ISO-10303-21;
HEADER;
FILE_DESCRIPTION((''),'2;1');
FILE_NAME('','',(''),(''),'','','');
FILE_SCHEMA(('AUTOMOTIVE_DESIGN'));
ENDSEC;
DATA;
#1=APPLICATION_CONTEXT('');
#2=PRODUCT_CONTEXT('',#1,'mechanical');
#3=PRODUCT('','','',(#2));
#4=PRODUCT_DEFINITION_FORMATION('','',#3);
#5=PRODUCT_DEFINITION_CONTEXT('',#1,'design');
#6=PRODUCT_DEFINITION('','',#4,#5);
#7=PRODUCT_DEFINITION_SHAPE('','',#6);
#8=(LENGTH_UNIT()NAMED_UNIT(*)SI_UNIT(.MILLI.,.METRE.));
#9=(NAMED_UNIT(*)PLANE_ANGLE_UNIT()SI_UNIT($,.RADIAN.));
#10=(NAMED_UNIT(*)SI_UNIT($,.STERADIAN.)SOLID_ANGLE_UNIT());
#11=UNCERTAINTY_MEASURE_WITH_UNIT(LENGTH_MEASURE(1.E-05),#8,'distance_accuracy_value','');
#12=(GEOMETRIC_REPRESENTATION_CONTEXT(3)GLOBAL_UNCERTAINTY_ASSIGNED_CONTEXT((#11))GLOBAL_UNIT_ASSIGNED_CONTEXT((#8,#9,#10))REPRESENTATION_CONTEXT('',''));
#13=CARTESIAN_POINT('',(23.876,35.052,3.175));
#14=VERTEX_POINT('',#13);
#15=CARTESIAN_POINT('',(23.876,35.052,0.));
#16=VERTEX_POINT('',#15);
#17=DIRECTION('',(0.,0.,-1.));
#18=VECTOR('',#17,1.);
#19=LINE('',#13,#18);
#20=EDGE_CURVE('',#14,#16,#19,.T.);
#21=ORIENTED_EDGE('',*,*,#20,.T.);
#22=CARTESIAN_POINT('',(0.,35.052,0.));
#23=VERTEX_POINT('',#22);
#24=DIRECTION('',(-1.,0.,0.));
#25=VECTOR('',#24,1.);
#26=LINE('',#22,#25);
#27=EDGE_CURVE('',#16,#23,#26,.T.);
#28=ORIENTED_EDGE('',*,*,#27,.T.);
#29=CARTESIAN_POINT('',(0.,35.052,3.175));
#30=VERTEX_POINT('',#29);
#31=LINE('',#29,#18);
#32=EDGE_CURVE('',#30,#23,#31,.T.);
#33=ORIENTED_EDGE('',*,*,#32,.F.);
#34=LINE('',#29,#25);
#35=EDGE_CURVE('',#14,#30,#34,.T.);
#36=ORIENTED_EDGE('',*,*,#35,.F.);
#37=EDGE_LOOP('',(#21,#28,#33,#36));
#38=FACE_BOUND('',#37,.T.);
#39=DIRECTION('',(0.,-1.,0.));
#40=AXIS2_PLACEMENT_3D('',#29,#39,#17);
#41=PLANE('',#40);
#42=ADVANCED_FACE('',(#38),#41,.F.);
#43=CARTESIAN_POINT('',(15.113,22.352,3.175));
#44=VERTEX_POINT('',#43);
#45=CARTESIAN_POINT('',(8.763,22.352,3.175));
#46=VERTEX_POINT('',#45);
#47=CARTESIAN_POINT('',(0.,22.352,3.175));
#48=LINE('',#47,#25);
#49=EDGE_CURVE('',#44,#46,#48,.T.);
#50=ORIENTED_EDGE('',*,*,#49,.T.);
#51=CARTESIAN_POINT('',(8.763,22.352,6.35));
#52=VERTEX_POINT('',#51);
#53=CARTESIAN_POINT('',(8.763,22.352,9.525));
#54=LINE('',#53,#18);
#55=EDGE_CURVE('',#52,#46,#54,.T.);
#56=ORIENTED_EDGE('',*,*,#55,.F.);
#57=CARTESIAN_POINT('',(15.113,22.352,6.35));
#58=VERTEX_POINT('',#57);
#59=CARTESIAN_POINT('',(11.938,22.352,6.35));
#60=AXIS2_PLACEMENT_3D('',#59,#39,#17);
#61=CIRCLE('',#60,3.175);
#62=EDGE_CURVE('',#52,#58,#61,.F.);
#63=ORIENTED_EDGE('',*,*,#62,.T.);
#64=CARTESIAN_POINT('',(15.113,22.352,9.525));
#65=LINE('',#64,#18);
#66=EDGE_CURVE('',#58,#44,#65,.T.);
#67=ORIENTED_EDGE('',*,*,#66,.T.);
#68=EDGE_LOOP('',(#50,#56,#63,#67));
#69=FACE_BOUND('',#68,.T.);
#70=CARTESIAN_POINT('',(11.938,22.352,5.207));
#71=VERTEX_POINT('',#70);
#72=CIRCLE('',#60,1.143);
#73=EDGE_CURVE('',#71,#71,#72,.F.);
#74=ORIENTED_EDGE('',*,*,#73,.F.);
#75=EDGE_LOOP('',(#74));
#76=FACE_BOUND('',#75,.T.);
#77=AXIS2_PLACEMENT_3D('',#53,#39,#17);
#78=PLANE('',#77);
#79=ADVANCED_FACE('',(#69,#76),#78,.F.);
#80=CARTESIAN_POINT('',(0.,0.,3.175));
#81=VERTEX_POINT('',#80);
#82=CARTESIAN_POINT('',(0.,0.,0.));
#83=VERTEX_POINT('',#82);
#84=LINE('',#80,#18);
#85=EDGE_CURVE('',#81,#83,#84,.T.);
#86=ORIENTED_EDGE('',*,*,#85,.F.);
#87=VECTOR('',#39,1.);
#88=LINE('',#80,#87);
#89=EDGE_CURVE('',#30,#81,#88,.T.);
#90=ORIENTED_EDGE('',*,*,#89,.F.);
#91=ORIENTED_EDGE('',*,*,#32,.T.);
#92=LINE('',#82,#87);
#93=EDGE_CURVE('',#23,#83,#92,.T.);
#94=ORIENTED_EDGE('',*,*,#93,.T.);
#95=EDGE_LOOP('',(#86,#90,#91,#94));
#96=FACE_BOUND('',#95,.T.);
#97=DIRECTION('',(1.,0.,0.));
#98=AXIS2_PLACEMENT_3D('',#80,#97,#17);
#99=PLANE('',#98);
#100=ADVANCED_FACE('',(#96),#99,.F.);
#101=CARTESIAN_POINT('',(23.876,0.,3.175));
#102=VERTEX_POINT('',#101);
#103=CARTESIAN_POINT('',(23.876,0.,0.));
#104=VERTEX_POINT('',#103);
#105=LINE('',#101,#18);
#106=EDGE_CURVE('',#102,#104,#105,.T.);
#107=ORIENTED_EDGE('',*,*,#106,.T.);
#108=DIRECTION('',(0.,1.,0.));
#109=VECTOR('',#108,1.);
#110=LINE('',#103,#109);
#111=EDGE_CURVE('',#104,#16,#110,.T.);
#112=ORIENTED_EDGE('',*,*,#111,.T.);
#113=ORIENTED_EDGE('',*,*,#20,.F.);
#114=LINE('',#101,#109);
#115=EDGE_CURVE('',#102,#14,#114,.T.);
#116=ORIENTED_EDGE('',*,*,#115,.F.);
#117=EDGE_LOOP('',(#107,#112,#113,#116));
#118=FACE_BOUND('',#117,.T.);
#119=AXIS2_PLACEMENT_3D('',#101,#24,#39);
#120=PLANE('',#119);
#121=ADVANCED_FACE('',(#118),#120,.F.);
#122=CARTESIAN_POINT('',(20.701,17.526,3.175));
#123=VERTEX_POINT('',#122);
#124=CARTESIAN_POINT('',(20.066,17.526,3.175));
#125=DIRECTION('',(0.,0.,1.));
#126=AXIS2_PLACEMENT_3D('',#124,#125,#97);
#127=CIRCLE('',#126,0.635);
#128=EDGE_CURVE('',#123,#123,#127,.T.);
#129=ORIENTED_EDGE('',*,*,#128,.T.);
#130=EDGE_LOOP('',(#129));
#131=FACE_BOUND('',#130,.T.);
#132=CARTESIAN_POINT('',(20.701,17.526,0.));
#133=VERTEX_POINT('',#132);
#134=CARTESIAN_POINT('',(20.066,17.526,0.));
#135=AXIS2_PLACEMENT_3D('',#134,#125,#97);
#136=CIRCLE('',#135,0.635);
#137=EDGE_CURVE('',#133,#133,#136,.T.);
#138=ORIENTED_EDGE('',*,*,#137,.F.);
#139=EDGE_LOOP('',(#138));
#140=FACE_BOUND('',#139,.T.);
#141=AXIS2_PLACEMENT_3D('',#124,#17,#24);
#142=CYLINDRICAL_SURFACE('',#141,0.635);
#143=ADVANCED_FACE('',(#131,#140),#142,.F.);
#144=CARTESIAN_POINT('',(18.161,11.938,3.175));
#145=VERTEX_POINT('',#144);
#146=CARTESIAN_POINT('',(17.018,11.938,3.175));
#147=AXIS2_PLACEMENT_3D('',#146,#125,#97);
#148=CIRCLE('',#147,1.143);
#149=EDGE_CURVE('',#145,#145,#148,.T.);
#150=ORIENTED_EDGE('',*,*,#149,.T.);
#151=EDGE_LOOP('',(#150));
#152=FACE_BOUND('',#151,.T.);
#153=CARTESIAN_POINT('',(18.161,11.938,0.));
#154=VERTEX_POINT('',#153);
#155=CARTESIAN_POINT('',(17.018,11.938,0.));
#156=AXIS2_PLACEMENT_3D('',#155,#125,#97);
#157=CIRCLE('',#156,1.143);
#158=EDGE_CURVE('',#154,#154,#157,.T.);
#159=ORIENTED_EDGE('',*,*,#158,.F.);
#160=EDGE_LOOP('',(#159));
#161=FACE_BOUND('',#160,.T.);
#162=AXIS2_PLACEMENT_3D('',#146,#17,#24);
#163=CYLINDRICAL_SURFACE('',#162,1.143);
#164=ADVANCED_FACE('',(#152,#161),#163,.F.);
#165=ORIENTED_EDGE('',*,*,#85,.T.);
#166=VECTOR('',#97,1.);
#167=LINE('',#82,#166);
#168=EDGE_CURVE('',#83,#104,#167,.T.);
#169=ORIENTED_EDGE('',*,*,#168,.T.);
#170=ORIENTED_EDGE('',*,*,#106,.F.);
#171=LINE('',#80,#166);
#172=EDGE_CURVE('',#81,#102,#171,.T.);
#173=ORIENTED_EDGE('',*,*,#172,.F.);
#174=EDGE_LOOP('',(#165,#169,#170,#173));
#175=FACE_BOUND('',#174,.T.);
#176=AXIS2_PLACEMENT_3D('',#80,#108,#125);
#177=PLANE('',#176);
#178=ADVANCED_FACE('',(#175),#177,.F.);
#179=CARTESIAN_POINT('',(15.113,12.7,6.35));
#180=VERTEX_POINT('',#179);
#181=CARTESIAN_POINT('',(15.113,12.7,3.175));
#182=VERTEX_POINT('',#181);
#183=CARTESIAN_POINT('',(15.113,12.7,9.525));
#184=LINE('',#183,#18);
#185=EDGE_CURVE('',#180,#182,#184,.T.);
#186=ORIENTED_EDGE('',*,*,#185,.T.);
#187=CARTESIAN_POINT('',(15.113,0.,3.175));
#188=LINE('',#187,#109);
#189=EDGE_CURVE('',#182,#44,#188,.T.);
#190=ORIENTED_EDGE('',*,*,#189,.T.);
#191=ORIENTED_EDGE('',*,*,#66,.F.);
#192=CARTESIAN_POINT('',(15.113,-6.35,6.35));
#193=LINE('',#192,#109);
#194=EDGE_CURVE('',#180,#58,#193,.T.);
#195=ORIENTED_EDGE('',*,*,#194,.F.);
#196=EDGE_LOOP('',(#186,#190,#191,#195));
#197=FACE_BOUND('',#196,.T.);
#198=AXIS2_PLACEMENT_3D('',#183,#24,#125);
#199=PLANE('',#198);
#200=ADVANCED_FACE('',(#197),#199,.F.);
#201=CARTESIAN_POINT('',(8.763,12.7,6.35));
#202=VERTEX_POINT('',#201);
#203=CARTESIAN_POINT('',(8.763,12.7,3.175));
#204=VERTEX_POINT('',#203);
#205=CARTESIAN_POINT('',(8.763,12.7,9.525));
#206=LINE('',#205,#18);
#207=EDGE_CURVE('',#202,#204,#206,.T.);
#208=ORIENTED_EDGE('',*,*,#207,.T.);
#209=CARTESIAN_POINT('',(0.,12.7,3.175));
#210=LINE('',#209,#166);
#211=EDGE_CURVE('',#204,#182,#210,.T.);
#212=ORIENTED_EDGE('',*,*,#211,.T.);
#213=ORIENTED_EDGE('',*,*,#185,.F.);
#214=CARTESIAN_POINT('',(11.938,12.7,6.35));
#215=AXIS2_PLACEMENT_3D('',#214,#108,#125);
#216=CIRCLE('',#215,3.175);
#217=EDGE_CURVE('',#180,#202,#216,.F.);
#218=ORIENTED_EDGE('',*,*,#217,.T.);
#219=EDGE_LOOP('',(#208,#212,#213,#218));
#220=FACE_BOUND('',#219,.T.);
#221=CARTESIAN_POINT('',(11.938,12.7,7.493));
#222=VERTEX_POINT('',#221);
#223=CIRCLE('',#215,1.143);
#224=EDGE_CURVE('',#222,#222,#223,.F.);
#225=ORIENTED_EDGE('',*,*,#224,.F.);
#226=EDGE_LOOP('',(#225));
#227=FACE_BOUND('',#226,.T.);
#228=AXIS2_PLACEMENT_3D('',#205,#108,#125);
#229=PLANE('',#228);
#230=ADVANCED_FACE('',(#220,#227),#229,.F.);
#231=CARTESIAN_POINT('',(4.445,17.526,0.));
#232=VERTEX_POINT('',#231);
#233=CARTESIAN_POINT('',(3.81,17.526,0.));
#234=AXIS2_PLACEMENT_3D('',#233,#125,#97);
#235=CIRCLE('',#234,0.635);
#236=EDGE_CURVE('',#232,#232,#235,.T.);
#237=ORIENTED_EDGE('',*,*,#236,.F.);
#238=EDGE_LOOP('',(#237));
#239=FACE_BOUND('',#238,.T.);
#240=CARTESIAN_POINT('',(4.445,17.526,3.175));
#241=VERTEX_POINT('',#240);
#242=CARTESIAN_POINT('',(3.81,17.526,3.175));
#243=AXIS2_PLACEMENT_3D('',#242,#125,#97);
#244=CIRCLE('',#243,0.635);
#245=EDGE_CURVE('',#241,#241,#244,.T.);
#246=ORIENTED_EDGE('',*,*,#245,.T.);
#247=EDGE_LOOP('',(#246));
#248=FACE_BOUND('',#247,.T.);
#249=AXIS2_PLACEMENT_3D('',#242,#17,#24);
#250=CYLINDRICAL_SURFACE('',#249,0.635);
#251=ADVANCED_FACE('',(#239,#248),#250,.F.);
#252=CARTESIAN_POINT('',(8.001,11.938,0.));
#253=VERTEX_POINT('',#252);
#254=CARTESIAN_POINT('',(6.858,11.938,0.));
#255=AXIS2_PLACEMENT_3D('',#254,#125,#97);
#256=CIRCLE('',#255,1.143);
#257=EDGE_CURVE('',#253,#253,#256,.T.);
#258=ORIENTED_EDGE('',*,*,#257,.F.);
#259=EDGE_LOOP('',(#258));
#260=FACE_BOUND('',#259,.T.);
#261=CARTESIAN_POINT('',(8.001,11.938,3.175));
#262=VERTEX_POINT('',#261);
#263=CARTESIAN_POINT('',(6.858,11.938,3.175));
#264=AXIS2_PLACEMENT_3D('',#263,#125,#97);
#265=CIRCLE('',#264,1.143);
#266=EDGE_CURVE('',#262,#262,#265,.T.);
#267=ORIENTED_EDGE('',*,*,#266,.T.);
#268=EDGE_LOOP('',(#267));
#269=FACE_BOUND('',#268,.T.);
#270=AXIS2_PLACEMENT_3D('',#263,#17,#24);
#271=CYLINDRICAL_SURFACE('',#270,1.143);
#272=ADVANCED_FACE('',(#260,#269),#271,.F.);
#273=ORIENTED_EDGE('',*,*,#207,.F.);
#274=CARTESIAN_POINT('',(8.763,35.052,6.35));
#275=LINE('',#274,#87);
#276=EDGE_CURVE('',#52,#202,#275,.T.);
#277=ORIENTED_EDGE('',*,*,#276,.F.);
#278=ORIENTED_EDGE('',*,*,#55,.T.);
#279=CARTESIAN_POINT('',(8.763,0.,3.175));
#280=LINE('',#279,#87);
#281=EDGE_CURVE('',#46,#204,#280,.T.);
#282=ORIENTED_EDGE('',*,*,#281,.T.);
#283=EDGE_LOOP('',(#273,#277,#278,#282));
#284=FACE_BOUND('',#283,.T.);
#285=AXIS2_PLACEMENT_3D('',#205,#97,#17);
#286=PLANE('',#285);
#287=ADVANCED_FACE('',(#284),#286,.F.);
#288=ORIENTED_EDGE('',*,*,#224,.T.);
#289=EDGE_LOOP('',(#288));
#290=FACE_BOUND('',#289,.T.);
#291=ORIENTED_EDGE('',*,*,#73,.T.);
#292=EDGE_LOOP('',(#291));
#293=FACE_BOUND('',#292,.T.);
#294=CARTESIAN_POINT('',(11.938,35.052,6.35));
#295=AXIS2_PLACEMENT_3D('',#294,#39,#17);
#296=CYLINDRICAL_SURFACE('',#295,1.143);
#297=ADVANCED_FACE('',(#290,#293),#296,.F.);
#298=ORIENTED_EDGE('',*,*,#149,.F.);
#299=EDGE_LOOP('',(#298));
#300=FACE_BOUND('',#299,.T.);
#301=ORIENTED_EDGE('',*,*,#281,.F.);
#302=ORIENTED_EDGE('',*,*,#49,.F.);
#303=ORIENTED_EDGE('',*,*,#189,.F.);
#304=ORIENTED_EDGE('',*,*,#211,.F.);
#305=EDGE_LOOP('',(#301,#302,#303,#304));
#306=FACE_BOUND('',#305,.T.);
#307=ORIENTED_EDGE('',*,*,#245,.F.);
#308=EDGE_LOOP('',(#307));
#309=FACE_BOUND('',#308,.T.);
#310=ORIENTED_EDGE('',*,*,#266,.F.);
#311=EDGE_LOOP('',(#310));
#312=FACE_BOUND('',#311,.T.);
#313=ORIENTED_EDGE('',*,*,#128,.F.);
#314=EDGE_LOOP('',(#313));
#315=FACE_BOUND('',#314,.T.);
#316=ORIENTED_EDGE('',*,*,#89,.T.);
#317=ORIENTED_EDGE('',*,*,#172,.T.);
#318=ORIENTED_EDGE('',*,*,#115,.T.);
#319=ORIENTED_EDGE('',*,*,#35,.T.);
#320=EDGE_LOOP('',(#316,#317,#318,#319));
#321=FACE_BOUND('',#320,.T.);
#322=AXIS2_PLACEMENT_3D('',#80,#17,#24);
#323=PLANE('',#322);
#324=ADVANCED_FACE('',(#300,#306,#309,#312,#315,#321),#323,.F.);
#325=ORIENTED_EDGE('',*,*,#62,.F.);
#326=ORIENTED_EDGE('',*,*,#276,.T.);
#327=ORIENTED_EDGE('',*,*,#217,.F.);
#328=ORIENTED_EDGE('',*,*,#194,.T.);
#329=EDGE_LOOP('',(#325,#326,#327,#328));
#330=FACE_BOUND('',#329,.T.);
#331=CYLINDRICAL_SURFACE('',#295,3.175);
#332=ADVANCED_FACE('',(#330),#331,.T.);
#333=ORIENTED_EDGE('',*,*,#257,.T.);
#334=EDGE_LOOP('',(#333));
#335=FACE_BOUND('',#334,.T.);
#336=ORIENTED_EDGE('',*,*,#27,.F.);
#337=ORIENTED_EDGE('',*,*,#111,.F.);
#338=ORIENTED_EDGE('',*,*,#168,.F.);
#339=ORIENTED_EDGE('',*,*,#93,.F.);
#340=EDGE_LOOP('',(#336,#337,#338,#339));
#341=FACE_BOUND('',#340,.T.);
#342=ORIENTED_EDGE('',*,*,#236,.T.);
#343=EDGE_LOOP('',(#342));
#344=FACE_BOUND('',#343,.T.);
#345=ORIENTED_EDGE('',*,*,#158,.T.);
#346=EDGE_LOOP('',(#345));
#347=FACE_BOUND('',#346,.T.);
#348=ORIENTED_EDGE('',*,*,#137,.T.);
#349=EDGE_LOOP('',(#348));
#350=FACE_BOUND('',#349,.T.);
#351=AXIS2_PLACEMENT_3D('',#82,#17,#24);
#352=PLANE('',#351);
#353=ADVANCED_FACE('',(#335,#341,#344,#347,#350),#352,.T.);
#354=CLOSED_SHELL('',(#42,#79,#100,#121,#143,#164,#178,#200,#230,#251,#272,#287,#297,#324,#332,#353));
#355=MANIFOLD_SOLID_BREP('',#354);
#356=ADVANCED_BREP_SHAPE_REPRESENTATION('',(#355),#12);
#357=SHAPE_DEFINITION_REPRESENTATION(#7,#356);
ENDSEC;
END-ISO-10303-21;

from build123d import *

# Parameters (mm, degrees)
SKETCH1_W               = 23.876
SKETCH1_H               = 35.052
SKETCH1_R               = 1.143
SKETCH1_R_2             = 0.635
BOSS_EXTRUDE1_DEPTH     = 3.175
SKETCH2_W               = 6.35
SKETCH2_H               = 9.652
BOSS_EXTRUDE2_DEPTH     = 9.525
SKETCH3_R               = 1.143
CUT_EXTRUDE2_DEPTH      = 36.052
CUT_EXTRUDE2_DEPTH_BACK = 6.35


with BuildPart() as part:
    # Sketch1 → Boss-Extrude1 (new body)
    with BuildSketch(Plane.XY):
        with Locations((11.938, 17.526)):
            Rectangle(SKETCH1_W, SKETCH1_H)
        with Locations((6.858, 11.938)):
            Circle(SKETCH1_R, mode=Mode.SUBTRACT)
        with Locations((17.018, 11.938)):
            Circle(SKETCH1_R, mode=Mode.SUBTRACT)
        with Locations((20.066, 17.526)):
            Circle(SKETCH1_R_2, mode=Mode.SUBTRACT)
        with Locations((3.81, 17.526)):
            Circle(SKETCH1_R_2, mode=Mode.SUBTRACT)
    extrude(amount=BOSS_EXTRUDE1_DEPTH)

    # Sketch2 → Boss-Extrude2 (add)
    with BuildSketch(Plane.XY):
        with Locations((11.938, 17.526)):
            Rectangle(SKETCH2_W, SKETCH2_H)
    extrude(amount=BOSS_EXTRUDE2_DEPTH)

    # Sketch3 → Cut-Extrude2 (cut, two sides)
    with BuildSketch(Plane(origin=(0, 0, 0), x_dir=(1, 0, 0), z_dir=(0, 1, 0))) as cut_extrude2_sk:
        with Locations((11.938, -6.35)):
            Circle(SKETCH3_R)
        with BuildLine():
            ThreePointArc((11.938, -9.525), (9.69293597, -8.59506403), (8.763, -6.35))
            Line((8.763, -6.35), (8.763, -9.525))
            Line((8.763, -9.525), (11.938, -9.525))
        make_face()
        with BuildLine():
            ThreePointArc((15.113, -6.35), (14.18306403, -8.59506403), (11.938, -9.525))
            Line((11.938, -9.525), (15.113, -9.525))
            Line((15.113, -9.525), (15.113, -6.35))
        make_face()
    extrude(amount=CUT_EXTRUDE2_DEPTH, mode=Mode.SUBTRACT)
    extrude(cut_extrude2_sk.sketch, amount=-CUT_EXTRUDE2_DEPTH_BACK, mode=Mode.SUBTRACT)


solid = part.part
